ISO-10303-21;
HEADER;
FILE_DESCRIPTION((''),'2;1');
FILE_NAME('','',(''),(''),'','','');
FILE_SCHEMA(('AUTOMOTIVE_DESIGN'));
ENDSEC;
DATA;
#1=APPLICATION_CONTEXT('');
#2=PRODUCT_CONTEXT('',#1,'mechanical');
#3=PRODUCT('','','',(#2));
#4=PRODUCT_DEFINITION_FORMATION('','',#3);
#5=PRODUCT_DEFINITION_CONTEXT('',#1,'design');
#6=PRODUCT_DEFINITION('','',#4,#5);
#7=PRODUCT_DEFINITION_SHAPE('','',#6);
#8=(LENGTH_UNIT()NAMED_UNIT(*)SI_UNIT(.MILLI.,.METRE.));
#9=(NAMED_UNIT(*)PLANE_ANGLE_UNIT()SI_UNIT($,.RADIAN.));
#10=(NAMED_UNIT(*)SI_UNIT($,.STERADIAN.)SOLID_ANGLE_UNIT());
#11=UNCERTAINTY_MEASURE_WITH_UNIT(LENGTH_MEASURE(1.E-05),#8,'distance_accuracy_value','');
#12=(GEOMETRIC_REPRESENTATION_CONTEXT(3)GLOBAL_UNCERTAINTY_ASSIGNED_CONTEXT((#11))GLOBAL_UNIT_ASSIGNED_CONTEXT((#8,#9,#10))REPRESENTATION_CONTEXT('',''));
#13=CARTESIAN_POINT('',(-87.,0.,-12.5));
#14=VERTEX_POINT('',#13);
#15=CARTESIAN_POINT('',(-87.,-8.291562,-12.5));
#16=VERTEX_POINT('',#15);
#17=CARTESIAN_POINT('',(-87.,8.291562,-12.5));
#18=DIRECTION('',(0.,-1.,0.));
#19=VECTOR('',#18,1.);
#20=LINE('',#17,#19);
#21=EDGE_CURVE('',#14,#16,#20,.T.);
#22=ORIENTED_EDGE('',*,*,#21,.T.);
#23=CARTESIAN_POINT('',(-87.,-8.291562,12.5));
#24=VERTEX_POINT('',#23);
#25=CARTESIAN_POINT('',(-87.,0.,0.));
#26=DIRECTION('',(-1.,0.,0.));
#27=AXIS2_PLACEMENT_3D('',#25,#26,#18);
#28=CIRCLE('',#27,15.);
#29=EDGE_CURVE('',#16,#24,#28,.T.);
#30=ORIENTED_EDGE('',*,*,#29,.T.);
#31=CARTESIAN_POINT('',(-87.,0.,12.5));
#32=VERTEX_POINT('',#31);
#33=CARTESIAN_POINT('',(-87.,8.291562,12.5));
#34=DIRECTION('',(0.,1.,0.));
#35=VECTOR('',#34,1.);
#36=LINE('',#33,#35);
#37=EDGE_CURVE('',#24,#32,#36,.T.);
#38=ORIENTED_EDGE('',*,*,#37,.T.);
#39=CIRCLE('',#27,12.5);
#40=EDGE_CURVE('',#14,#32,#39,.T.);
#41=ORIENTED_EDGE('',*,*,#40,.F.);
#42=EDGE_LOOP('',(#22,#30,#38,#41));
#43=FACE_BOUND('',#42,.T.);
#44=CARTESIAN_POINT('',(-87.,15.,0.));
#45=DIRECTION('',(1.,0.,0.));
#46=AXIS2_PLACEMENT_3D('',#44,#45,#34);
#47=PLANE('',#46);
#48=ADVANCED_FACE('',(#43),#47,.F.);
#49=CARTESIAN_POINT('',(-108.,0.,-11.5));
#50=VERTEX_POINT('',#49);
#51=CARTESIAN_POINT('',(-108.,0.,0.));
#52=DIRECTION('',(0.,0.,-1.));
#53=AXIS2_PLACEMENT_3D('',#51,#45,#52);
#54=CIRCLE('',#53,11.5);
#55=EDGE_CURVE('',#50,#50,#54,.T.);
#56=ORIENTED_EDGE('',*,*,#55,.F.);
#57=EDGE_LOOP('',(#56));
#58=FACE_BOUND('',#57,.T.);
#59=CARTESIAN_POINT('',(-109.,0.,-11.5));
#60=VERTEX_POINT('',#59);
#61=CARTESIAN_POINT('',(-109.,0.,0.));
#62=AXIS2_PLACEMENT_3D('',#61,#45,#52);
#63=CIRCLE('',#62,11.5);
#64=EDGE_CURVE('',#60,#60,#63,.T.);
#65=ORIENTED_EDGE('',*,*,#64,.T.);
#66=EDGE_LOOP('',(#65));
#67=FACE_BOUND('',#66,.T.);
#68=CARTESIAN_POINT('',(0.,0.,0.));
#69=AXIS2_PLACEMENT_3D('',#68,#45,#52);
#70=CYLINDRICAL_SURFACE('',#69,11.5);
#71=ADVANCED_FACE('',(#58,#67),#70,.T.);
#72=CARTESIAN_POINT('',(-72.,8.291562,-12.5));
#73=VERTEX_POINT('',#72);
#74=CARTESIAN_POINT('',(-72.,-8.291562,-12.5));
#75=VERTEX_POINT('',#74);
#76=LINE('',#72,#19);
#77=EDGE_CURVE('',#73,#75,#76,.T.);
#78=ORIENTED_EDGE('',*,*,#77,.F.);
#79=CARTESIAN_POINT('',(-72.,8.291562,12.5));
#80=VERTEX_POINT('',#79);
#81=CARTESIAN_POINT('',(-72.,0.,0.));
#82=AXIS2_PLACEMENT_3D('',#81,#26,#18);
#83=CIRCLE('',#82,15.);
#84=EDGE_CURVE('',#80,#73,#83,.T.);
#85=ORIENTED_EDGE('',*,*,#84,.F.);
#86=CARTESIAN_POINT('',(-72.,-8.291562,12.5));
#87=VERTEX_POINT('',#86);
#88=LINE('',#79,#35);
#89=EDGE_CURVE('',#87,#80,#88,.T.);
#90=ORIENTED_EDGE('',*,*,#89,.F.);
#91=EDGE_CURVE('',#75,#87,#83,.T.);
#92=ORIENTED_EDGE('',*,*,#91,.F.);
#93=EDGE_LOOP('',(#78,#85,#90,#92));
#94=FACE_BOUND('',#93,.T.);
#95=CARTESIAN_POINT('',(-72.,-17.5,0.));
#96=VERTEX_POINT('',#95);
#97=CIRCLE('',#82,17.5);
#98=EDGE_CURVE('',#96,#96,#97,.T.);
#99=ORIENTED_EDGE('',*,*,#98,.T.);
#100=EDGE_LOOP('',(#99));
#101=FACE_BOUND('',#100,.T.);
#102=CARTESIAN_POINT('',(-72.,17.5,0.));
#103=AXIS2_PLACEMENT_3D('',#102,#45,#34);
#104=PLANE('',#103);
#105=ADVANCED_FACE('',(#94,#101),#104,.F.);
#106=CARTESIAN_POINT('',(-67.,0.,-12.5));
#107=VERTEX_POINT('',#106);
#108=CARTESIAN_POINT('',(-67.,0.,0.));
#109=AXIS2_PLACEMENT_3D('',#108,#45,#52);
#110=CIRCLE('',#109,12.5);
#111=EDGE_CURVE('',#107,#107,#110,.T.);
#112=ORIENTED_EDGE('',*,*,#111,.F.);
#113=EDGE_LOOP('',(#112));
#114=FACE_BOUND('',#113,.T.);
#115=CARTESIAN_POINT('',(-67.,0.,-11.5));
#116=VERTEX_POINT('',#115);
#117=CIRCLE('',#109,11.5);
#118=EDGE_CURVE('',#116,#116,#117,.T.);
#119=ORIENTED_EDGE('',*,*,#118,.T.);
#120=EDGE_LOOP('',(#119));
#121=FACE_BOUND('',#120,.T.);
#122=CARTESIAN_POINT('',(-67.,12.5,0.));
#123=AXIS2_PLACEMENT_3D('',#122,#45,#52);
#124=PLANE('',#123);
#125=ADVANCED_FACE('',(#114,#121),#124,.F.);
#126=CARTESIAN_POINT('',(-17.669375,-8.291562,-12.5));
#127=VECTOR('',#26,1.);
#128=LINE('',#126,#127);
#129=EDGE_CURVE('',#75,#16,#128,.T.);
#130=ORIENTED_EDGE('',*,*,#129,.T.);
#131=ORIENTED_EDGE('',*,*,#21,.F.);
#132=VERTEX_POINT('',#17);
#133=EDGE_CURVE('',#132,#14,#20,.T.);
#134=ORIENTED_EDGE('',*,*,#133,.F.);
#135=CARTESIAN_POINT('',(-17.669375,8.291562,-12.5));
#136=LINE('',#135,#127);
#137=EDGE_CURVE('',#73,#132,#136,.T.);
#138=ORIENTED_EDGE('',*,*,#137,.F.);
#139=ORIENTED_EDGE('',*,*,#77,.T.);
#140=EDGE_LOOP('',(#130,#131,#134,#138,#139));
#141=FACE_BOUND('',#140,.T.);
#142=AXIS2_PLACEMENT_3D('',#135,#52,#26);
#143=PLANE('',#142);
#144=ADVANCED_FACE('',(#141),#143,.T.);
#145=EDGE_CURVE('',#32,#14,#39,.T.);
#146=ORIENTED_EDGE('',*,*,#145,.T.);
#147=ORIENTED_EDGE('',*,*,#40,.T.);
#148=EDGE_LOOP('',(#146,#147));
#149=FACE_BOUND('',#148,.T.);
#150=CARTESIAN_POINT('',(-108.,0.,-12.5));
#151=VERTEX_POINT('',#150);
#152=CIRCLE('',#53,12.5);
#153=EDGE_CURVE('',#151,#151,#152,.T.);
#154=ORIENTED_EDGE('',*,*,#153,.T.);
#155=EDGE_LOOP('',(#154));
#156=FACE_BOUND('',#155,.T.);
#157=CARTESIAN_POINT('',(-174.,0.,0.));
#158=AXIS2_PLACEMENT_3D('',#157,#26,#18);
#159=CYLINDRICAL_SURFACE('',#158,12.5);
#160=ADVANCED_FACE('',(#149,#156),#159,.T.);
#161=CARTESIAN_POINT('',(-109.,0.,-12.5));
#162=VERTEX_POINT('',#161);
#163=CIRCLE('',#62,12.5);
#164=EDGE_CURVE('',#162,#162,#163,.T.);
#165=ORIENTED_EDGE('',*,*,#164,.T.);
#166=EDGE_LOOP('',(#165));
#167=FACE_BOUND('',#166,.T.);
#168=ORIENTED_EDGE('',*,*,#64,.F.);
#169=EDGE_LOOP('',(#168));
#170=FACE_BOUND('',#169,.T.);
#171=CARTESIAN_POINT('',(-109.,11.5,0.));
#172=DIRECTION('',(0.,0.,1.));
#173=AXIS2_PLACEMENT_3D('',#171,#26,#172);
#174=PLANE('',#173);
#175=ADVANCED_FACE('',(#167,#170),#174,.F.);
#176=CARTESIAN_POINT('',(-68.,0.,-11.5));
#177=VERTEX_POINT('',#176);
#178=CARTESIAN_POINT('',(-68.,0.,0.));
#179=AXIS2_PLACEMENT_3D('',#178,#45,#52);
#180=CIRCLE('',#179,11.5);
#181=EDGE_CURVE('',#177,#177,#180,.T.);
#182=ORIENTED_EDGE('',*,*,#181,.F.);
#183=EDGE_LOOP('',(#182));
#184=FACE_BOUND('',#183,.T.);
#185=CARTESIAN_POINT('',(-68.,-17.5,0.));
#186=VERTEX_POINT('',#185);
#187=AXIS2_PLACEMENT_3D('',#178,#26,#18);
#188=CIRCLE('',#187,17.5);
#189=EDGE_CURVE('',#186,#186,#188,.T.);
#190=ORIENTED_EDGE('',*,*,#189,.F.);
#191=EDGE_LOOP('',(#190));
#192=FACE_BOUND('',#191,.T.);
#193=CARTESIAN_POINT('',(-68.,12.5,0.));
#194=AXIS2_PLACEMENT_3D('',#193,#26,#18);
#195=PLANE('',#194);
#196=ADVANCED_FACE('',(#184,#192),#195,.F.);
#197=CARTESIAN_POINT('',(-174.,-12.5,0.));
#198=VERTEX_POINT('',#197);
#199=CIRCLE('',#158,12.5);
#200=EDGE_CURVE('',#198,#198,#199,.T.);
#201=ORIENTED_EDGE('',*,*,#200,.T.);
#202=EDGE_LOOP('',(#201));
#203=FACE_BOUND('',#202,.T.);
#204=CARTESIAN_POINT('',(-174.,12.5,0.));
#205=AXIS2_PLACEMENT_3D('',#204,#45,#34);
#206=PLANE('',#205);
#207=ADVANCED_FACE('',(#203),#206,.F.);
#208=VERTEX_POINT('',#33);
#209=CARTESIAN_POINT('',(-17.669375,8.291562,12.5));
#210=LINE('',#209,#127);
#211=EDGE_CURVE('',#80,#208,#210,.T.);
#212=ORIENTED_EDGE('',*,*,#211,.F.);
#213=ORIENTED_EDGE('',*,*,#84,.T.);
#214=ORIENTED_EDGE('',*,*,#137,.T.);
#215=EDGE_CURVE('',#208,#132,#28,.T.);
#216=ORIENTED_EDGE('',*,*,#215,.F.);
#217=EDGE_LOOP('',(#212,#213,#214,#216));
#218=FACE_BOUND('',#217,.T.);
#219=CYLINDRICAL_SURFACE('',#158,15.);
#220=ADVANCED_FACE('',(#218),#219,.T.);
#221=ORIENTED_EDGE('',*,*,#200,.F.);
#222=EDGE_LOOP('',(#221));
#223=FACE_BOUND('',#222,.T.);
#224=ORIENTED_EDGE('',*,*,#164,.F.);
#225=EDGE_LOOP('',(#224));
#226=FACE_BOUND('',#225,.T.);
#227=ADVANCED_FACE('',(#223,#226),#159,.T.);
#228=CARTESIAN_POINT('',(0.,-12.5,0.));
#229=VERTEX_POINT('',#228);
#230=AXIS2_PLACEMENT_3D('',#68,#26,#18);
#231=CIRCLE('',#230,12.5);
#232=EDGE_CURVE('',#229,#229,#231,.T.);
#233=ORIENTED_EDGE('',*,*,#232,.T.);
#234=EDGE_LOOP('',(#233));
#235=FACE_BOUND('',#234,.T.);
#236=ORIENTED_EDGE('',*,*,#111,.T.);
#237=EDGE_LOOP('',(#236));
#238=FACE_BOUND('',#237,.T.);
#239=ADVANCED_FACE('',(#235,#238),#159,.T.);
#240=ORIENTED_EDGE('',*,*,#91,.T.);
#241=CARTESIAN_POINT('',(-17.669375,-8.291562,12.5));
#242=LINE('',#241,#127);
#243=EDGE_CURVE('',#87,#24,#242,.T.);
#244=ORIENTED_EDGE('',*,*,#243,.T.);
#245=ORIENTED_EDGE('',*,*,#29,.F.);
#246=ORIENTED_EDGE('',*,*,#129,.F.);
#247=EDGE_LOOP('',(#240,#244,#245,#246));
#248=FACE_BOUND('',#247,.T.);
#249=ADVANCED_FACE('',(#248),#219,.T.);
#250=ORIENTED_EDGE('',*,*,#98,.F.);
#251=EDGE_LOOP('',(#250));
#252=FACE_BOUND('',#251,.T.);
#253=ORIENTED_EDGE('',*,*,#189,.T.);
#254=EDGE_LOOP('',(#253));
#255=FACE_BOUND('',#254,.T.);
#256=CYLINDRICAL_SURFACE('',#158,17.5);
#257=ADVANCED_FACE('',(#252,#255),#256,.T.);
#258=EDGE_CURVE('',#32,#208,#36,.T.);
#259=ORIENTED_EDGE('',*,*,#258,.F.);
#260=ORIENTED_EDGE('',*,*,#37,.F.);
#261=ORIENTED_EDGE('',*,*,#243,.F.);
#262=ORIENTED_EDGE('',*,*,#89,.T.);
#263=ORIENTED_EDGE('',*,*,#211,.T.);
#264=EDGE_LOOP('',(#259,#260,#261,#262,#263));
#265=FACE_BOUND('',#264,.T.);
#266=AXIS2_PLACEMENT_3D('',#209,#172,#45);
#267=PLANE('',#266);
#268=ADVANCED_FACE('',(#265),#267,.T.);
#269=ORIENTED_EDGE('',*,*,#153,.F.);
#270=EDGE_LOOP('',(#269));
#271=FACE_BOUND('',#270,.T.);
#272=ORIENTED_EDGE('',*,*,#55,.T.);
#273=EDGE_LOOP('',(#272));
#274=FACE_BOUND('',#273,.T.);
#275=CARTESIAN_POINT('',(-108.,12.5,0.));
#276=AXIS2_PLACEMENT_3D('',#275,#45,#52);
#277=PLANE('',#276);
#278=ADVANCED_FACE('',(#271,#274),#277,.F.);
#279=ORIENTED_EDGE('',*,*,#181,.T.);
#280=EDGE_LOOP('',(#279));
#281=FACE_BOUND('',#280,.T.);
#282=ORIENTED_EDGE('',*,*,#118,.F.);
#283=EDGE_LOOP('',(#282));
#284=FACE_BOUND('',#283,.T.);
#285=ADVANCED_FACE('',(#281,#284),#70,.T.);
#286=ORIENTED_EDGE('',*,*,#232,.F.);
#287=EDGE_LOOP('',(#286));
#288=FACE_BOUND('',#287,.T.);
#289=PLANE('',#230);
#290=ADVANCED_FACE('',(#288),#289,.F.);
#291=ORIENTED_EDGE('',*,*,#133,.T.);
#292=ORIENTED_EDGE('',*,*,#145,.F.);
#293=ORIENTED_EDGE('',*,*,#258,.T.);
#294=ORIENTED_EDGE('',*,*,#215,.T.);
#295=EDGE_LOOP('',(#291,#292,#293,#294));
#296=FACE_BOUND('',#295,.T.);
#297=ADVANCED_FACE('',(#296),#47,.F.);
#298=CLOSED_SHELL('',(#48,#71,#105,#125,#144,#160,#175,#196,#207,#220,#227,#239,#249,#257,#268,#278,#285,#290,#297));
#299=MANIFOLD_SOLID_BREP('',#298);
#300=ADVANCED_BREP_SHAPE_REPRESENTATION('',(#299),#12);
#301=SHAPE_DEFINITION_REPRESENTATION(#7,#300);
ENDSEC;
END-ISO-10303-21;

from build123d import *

# Parameters (mm, degrees)
SKETCH3_W          = 1
SKETCH3_H          = 1
SKETCH5_OUTSIDE_W  = 73.18
SKETCH5_OUTSIDE_H  = 73.18
CUT_EXTRUDE1_DEPTH = 15


with BuildPart() as part:
    # Sketch2 → Revolve1 (revolve)
    with BuildSketch(Plane.XY, mode=Mode.PRIVATE) as revolve1_sk:
        Polygon((0, 0), (0, 12.5), (-68, 12.5), (-68, 17.5), (-72, 17.5), (-72, 15), (-87, 15), (-87, 12.5), (-174, 12.5), (-174, 0), align=None)
    revolve(revolve1_sk.sketch.rotate(Axis((-174, 0, 0), (1, 0, 0)), 180), axis=Axis((-174, 0, 0), (1, 0, 0)))

    # Sketch3 → Cut-Revolve1 (revolve, cut)
    with BuildSketch(Plane.XY, mode=Mode.PRIVATE) as cut_revolve1_sk:
        with Locations((-67.5, 12)):
            Rectangle(SKETCH3_W, SKETCH3_H)
        with Locations((-108.5, 12)):
            Rectangle(SKETCH3_W, SKETCH3_H)
    revolve(cut_revolve1_sk.sketch.rotate(Axis((0, 0, 0), (-1, 0, 0)), 180), axis=Axis((0, 0, 0), (-1, 0, 0)), mode=Mode.SUBTRACT)

    # Sketch5 outside → Cut-Extrude1 (cut)
    with BuildSketch(Plane.ZY.offset(87)):
        Rectangle(SKETCH5_OUTSIDE_W, SKETCH5_OUTSIDE_H)
        with BuildLine():
            Line((-12.5, 8.291561976), (-12.5, -8.291561976))
            ThreePointArc((-12.5, -8.291561976), (0, -15), (12.5, -8.291561976))
            Line((12.5, -8.291561976), (12.5, 8.291561976))
            ThreePointArc((12.5, 8.291561976), (0, 15), (-12.5, 8.291561976))
        make_face(mode=Mode.SUBTRACT)
    extrude(amount=-CUT_EXTRUDE1_DEPTH, mode=Mode.SUBTRACT)


solid = part.part
